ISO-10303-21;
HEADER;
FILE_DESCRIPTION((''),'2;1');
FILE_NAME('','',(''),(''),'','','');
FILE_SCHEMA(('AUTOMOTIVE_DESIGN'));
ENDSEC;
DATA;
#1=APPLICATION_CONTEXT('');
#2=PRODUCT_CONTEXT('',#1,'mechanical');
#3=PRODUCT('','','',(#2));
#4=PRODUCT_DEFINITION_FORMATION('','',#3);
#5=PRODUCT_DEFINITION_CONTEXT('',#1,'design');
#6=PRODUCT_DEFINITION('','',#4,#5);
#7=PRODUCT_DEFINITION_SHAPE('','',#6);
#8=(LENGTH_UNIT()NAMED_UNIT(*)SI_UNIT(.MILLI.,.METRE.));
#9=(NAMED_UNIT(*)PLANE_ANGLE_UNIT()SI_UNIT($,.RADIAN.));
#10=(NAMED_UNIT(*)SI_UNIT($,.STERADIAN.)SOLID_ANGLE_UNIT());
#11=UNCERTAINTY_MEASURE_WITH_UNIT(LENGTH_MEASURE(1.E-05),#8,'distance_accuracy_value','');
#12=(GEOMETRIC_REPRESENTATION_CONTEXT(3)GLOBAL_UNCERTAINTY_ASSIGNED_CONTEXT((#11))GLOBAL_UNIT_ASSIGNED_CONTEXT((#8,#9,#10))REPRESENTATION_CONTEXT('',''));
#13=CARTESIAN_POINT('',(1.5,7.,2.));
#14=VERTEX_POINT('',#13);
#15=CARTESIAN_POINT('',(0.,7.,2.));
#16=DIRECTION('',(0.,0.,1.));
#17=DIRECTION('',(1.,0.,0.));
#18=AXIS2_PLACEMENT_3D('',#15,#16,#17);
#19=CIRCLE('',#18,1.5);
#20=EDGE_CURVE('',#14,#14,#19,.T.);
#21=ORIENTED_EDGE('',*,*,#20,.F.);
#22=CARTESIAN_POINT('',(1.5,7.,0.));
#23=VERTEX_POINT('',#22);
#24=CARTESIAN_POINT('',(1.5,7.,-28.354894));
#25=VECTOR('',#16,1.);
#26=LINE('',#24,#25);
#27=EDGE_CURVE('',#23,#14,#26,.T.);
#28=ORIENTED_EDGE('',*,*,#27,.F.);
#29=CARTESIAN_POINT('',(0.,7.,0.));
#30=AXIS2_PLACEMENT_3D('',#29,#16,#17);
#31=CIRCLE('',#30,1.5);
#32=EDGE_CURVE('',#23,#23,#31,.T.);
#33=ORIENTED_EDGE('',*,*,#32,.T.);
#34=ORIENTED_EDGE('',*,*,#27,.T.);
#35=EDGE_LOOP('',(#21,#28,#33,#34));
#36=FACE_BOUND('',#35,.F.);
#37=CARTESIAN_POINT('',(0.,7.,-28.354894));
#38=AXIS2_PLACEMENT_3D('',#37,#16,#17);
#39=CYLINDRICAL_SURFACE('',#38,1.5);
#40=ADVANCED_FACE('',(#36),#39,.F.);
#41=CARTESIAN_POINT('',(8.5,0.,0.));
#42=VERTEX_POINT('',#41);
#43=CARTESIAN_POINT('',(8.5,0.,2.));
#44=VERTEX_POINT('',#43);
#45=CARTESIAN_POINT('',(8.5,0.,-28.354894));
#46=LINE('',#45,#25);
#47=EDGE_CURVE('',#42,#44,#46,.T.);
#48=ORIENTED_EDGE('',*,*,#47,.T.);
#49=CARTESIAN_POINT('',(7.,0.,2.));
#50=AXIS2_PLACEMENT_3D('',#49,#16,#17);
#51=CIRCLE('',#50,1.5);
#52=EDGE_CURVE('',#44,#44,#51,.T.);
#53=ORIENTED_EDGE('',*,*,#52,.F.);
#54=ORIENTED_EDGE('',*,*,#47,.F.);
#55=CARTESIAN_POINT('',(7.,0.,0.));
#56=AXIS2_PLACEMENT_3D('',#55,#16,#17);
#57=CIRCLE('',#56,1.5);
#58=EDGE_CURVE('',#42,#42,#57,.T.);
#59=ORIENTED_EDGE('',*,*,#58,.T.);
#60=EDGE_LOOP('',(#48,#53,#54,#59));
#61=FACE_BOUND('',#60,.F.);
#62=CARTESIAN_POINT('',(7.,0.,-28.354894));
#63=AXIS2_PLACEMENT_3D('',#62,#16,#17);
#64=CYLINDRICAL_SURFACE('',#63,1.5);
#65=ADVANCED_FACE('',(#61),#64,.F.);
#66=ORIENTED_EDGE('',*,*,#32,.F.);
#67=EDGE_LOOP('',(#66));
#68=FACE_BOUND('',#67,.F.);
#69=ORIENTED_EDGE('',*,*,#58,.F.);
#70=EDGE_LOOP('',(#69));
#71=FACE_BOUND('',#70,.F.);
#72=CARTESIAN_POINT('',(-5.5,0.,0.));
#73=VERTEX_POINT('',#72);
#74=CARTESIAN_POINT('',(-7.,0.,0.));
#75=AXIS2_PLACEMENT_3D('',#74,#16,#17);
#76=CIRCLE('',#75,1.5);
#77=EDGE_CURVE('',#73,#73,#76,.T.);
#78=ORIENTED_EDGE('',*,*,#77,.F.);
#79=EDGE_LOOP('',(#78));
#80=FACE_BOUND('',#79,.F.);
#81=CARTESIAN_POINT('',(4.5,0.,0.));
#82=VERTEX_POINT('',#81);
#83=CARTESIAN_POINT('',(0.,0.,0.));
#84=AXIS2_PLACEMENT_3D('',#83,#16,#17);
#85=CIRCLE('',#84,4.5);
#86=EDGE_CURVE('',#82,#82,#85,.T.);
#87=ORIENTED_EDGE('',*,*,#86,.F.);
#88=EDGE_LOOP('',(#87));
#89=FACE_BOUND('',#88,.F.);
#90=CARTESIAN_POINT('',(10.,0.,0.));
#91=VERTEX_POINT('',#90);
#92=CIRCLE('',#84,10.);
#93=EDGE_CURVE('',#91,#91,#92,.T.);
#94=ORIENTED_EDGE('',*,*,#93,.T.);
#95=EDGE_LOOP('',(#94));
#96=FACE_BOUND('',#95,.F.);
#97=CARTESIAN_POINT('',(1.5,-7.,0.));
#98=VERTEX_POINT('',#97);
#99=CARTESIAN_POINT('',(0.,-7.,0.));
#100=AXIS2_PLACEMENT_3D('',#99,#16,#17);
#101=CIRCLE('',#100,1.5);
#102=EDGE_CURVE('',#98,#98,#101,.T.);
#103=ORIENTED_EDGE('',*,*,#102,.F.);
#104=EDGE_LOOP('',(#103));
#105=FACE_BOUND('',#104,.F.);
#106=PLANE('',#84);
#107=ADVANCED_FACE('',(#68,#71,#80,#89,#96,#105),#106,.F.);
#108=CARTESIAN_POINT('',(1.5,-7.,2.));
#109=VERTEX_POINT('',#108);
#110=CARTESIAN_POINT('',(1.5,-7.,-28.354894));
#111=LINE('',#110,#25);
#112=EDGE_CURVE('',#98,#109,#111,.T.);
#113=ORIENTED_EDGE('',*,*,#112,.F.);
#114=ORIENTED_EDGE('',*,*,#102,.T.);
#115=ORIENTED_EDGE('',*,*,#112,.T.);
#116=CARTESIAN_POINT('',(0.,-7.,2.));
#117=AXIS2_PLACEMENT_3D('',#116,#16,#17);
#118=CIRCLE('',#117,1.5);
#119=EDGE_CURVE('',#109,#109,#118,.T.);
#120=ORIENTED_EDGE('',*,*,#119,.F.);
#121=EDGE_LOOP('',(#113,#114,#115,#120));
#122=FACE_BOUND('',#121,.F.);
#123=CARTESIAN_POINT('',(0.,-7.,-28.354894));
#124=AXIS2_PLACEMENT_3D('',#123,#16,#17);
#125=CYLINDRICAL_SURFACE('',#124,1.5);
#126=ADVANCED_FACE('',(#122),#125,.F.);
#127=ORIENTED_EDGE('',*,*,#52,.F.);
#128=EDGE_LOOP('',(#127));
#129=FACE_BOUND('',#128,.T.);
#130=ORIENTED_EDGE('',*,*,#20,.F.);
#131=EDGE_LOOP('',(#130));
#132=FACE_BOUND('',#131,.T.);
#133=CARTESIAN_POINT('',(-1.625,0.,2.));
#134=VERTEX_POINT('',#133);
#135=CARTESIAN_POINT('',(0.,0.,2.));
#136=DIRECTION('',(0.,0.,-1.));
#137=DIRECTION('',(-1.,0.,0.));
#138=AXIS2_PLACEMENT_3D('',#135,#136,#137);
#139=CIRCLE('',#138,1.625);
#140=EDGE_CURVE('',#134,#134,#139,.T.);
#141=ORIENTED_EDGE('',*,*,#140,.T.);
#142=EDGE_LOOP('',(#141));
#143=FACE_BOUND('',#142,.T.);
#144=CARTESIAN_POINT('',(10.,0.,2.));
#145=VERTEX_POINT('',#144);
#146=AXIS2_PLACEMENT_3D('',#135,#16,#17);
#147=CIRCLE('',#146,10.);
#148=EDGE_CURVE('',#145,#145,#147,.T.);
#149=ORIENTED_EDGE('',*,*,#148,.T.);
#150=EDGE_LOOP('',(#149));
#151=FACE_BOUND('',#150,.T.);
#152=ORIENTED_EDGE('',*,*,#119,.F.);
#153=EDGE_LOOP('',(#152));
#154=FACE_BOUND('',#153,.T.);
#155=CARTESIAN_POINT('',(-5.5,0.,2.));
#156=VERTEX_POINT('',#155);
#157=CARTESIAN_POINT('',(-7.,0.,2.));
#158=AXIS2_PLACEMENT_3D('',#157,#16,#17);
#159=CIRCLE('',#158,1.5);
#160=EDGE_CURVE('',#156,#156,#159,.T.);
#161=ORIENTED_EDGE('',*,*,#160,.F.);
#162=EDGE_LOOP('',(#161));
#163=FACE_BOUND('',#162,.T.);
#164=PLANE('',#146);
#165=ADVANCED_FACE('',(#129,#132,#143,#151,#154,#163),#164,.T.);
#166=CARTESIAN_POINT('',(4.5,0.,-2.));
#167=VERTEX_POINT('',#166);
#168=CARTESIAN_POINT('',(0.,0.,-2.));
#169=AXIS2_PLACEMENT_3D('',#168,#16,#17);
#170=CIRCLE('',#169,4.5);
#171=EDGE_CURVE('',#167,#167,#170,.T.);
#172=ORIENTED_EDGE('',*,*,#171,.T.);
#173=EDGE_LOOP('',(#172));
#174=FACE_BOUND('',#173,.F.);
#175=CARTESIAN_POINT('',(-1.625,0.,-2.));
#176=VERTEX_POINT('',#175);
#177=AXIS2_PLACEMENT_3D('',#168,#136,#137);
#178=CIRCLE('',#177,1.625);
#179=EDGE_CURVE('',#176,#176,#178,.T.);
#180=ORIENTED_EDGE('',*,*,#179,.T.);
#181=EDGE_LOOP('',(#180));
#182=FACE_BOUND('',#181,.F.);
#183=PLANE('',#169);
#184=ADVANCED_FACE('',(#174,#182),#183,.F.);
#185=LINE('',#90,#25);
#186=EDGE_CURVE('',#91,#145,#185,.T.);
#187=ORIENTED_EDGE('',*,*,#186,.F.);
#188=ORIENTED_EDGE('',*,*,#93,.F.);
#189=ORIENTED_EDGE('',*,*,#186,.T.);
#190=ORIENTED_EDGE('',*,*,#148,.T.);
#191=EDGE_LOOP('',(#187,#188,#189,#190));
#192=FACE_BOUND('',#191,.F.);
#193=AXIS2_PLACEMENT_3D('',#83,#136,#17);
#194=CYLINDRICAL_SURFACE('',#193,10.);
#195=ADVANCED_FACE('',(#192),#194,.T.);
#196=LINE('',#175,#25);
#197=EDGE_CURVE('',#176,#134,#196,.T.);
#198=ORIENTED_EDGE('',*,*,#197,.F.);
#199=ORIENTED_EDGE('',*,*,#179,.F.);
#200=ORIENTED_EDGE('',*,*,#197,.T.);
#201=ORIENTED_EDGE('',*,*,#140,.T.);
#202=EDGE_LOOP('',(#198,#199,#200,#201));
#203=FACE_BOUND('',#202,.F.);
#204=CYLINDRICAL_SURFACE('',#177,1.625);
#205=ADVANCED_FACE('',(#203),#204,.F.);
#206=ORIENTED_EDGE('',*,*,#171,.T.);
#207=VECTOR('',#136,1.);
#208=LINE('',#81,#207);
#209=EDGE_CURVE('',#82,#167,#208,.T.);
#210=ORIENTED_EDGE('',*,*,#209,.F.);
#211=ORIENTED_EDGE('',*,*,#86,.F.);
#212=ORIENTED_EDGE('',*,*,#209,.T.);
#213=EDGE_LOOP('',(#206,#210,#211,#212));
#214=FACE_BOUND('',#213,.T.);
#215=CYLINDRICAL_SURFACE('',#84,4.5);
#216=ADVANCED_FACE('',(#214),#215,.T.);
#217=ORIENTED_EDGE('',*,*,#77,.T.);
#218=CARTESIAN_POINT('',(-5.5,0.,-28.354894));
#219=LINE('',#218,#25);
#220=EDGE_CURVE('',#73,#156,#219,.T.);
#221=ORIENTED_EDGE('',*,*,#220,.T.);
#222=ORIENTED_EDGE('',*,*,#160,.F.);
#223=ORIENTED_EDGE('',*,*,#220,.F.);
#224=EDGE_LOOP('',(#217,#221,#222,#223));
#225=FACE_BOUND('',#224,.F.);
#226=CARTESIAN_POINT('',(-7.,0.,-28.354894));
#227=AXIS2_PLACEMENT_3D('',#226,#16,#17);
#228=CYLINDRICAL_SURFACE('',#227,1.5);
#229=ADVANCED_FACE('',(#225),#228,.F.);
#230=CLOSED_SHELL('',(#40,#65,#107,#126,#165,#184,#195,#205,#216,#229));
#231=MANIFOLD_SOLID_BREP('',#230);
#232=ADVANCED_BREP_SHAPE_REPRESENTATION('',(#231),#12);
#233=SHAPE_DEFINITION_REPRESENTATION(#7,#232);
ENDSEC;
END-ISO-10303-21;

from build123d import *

# Parameters (mm, degrees)
SCHIZZO14_R                  = 10
ESTRUSIONE_ESTRUSIONE2_DEPTH = 2
FORO_3_0_3_1_D               = 3
SCHIZZO19_R                  = 4.5
ESTRUSIONE_ESTRUSIONE3_DEPTH = 2
SCHIZZO20_R                  = 1.625
TAGLIO_ESTRUSIONE1_DEPTH     = 5


with BuildPart() as part:
    # Schizzo14 → Estrusione-Estrusione2 (new body)
    with BuildSketch(Plane.XY):
        Circle(SCHIZZO14_R)
    extrude(amount=ESTRUSIONE_ESTRUSIONE2_DEPTH)

    # Foro Ø3.0 (3)-1 (through all)
    with Locations(Plane(origin=(7, 0, 0), x_dir=(-1, 0, 0), z_dir=(0, 0, -1))):
        with Locations((0, 0), (14, 0), (7, -7), (7, 7)):
            Hole(FORO_3_0_3_1_D / 2)

    # Schizzo19 → Estrusione-Estrusione3 (add)
    with BuildSketch(Plane.XY):
        Circle(SCHIZZO19_R)
    extrude(amount=-ESTRUSIONE_ESTRUSIONE3_DEPTH)

    # Schizzo20 → Taglio-Estrusione1 (cut, through all)
    with BuildSketch(Plane(origin=(0, 0, -2), x_dir=(-1, 0, 0), z_dir=(0, 0, -1))):
        Circle(SCHIZZO20_R)
    extrude(amount=-TAGLIO_ESTRUSIONE1_DEPTH, mode=Mode.SUBTRACT)


solid = part.part
